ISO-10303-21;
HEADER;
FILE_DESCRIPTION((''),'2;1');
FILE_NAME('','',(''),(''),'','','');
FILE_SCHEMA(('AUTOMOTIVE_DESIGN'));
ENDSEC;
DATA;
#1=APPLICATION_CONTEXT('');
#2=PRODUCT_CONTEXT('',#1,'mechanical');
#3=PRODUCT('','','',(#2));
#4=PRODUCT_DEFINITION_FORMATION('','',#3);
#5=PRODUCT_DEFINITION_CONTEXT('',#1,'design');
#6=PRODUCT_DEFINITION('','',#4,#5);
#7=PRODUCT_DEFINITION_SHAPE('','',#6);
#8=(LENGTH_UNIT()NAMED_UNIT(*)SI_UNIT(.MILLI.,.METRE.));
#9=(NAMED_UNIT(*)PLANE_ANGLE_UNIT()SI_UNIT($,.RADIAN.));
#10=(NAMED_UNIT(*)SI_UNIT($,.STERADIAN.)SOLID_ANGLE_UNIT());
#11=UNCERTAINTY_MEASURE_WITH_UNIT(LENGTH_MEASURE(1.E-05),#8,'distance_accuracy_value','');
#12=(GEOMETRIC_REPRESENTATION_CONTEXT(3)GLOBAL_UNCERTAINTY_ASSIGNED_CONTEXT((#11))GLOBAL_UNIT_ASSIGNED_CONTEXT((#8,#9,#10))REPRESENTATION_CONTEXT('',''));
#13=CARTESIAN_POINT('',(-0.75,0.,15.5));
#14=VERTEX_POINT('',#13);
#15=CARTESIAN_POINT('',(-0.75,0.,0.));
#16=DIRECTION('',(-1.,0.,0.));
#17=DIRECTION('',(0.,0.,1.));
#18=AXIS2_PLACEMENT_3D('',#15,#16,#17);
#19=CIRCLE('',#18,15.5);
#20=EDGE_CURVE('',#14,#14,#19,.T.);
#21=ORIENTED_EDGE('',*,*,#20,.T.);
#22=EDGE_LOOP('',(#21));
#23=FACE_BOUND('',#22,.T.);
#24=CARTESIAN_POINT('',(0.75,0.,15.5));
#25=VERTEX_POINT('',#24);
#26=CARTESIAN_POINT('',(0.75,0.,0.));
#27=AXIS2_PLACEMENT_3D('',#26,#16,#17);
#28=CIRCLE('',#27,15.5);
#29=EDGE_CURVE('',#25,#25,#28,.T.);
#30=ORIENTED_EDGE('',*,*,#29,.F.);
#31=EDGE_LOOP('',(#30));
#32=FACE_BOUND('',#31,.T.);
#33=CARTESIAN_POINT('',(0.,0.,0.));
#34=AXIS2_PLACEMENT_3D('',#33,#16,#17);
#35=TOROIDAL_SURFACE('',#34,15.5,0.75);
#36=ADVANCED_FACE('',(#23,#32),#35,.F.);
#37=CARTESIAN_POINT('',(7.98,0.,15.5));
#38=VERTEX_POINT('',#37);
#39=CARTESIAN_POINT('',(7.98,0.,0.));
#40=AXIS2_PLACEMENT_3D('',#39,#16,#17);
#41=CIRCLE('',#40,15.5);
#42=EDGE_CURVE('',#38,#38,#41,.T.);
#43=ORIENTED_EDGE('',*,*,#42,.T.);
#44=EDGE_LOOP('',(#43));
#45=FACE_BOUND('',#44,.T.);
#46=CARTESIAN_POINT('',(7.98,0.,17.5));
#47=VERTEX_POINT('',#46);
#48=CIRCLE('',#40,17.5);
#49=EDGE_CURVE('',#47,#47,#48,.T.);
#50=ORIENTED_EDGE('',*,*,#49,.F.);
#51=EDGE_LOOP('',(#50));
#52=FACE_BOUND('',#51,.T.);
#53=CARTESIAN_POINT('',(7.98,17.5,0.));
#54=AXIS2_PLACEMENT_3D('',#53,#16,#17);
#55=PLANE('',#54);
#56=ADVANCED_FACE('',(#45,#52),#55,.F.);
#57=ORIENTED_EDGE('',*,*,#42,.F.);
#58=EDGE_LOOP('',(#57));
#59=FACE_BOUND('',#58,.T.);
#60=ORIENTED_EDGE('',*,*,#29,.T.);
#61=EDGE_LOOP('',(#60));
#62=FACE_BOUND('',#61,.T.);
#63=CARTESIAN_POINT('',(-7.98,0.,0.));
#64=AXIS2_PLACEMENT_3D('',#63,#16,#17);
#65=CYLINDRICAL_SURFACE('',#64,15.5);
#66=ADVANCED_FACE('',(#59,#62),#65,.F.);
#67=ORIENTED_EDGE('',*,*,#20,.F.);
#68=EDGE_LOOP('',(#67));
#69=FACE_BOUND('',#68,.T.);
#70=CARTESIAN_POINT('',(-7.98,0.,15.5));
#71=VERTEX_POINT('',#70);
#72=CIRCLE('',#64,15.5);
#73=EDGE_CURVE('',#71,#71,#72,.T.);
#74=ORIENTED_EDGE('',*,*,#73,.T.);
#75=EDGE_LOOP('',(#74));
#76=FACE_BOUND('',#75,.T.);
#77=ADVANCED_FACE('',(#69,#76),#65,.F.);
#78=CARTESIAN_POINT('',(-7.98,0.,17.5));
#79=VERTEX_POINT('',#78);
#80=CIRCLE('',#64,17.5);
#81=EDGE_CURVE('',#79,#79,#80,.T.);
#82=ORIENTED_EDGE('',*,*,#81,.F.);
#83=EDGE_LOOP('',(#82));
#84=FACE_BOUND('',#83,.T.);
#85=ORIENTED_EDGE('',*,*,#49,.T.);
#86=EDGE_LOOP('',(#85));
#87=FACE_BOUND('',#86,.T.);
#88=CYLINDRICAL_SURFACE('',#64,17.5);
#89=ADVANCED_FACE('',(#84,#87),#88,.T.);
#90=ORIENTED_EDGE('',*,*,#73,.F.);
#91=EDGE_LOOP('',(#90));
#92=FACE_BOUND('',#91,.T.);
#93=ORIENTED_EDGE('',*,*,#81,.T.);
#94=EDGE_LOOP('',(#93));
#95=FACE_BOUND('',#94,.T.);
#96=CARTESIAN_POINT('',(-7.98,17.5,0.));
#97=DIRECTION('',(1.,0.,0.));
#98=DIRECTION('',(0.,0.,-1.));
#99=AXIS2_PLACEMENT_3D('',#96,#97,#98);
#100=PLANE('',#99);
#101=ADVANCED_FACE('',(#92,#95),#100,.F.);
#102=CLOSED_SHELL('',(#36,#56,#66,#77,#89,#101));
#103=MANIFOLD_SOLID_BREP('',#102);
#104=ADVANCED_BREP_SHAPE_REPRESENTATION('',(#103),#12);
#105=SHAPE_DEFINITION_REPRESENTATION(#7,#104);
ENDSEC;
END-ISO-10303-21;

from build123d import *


with BuildPart() as part:
    # Esboço1 → Revolução1 (revolve)
    with BuildSketch(Plane.XY, mode=Mode.PRIVATE) as revolu_o1_sk:
        with BuildLine():
            Line((0.75, 15.5), (7.98, 15.5))
            Line((7.98, 15.5), (7.98, 17.5))
            Line((7.98, 17.5), (-7.98, 17.5))
            Line((-7.98, 17.5), (-7.98, 15.5))
            Line((-7.98, 15.5), (-0.75, 15.5))
            ThreePointArc((-0.75, 15.5), (0, 16.25), (0.75, 15.5))
        make_face()
    revolve(revolu_o1_sk.sketch.rotate(Axis((-7.98, 0, 0), (1, 0, 0)), 90), axis=Axis((-7.98, 0, 0), (1, 0, 0)))


solid = part.part
